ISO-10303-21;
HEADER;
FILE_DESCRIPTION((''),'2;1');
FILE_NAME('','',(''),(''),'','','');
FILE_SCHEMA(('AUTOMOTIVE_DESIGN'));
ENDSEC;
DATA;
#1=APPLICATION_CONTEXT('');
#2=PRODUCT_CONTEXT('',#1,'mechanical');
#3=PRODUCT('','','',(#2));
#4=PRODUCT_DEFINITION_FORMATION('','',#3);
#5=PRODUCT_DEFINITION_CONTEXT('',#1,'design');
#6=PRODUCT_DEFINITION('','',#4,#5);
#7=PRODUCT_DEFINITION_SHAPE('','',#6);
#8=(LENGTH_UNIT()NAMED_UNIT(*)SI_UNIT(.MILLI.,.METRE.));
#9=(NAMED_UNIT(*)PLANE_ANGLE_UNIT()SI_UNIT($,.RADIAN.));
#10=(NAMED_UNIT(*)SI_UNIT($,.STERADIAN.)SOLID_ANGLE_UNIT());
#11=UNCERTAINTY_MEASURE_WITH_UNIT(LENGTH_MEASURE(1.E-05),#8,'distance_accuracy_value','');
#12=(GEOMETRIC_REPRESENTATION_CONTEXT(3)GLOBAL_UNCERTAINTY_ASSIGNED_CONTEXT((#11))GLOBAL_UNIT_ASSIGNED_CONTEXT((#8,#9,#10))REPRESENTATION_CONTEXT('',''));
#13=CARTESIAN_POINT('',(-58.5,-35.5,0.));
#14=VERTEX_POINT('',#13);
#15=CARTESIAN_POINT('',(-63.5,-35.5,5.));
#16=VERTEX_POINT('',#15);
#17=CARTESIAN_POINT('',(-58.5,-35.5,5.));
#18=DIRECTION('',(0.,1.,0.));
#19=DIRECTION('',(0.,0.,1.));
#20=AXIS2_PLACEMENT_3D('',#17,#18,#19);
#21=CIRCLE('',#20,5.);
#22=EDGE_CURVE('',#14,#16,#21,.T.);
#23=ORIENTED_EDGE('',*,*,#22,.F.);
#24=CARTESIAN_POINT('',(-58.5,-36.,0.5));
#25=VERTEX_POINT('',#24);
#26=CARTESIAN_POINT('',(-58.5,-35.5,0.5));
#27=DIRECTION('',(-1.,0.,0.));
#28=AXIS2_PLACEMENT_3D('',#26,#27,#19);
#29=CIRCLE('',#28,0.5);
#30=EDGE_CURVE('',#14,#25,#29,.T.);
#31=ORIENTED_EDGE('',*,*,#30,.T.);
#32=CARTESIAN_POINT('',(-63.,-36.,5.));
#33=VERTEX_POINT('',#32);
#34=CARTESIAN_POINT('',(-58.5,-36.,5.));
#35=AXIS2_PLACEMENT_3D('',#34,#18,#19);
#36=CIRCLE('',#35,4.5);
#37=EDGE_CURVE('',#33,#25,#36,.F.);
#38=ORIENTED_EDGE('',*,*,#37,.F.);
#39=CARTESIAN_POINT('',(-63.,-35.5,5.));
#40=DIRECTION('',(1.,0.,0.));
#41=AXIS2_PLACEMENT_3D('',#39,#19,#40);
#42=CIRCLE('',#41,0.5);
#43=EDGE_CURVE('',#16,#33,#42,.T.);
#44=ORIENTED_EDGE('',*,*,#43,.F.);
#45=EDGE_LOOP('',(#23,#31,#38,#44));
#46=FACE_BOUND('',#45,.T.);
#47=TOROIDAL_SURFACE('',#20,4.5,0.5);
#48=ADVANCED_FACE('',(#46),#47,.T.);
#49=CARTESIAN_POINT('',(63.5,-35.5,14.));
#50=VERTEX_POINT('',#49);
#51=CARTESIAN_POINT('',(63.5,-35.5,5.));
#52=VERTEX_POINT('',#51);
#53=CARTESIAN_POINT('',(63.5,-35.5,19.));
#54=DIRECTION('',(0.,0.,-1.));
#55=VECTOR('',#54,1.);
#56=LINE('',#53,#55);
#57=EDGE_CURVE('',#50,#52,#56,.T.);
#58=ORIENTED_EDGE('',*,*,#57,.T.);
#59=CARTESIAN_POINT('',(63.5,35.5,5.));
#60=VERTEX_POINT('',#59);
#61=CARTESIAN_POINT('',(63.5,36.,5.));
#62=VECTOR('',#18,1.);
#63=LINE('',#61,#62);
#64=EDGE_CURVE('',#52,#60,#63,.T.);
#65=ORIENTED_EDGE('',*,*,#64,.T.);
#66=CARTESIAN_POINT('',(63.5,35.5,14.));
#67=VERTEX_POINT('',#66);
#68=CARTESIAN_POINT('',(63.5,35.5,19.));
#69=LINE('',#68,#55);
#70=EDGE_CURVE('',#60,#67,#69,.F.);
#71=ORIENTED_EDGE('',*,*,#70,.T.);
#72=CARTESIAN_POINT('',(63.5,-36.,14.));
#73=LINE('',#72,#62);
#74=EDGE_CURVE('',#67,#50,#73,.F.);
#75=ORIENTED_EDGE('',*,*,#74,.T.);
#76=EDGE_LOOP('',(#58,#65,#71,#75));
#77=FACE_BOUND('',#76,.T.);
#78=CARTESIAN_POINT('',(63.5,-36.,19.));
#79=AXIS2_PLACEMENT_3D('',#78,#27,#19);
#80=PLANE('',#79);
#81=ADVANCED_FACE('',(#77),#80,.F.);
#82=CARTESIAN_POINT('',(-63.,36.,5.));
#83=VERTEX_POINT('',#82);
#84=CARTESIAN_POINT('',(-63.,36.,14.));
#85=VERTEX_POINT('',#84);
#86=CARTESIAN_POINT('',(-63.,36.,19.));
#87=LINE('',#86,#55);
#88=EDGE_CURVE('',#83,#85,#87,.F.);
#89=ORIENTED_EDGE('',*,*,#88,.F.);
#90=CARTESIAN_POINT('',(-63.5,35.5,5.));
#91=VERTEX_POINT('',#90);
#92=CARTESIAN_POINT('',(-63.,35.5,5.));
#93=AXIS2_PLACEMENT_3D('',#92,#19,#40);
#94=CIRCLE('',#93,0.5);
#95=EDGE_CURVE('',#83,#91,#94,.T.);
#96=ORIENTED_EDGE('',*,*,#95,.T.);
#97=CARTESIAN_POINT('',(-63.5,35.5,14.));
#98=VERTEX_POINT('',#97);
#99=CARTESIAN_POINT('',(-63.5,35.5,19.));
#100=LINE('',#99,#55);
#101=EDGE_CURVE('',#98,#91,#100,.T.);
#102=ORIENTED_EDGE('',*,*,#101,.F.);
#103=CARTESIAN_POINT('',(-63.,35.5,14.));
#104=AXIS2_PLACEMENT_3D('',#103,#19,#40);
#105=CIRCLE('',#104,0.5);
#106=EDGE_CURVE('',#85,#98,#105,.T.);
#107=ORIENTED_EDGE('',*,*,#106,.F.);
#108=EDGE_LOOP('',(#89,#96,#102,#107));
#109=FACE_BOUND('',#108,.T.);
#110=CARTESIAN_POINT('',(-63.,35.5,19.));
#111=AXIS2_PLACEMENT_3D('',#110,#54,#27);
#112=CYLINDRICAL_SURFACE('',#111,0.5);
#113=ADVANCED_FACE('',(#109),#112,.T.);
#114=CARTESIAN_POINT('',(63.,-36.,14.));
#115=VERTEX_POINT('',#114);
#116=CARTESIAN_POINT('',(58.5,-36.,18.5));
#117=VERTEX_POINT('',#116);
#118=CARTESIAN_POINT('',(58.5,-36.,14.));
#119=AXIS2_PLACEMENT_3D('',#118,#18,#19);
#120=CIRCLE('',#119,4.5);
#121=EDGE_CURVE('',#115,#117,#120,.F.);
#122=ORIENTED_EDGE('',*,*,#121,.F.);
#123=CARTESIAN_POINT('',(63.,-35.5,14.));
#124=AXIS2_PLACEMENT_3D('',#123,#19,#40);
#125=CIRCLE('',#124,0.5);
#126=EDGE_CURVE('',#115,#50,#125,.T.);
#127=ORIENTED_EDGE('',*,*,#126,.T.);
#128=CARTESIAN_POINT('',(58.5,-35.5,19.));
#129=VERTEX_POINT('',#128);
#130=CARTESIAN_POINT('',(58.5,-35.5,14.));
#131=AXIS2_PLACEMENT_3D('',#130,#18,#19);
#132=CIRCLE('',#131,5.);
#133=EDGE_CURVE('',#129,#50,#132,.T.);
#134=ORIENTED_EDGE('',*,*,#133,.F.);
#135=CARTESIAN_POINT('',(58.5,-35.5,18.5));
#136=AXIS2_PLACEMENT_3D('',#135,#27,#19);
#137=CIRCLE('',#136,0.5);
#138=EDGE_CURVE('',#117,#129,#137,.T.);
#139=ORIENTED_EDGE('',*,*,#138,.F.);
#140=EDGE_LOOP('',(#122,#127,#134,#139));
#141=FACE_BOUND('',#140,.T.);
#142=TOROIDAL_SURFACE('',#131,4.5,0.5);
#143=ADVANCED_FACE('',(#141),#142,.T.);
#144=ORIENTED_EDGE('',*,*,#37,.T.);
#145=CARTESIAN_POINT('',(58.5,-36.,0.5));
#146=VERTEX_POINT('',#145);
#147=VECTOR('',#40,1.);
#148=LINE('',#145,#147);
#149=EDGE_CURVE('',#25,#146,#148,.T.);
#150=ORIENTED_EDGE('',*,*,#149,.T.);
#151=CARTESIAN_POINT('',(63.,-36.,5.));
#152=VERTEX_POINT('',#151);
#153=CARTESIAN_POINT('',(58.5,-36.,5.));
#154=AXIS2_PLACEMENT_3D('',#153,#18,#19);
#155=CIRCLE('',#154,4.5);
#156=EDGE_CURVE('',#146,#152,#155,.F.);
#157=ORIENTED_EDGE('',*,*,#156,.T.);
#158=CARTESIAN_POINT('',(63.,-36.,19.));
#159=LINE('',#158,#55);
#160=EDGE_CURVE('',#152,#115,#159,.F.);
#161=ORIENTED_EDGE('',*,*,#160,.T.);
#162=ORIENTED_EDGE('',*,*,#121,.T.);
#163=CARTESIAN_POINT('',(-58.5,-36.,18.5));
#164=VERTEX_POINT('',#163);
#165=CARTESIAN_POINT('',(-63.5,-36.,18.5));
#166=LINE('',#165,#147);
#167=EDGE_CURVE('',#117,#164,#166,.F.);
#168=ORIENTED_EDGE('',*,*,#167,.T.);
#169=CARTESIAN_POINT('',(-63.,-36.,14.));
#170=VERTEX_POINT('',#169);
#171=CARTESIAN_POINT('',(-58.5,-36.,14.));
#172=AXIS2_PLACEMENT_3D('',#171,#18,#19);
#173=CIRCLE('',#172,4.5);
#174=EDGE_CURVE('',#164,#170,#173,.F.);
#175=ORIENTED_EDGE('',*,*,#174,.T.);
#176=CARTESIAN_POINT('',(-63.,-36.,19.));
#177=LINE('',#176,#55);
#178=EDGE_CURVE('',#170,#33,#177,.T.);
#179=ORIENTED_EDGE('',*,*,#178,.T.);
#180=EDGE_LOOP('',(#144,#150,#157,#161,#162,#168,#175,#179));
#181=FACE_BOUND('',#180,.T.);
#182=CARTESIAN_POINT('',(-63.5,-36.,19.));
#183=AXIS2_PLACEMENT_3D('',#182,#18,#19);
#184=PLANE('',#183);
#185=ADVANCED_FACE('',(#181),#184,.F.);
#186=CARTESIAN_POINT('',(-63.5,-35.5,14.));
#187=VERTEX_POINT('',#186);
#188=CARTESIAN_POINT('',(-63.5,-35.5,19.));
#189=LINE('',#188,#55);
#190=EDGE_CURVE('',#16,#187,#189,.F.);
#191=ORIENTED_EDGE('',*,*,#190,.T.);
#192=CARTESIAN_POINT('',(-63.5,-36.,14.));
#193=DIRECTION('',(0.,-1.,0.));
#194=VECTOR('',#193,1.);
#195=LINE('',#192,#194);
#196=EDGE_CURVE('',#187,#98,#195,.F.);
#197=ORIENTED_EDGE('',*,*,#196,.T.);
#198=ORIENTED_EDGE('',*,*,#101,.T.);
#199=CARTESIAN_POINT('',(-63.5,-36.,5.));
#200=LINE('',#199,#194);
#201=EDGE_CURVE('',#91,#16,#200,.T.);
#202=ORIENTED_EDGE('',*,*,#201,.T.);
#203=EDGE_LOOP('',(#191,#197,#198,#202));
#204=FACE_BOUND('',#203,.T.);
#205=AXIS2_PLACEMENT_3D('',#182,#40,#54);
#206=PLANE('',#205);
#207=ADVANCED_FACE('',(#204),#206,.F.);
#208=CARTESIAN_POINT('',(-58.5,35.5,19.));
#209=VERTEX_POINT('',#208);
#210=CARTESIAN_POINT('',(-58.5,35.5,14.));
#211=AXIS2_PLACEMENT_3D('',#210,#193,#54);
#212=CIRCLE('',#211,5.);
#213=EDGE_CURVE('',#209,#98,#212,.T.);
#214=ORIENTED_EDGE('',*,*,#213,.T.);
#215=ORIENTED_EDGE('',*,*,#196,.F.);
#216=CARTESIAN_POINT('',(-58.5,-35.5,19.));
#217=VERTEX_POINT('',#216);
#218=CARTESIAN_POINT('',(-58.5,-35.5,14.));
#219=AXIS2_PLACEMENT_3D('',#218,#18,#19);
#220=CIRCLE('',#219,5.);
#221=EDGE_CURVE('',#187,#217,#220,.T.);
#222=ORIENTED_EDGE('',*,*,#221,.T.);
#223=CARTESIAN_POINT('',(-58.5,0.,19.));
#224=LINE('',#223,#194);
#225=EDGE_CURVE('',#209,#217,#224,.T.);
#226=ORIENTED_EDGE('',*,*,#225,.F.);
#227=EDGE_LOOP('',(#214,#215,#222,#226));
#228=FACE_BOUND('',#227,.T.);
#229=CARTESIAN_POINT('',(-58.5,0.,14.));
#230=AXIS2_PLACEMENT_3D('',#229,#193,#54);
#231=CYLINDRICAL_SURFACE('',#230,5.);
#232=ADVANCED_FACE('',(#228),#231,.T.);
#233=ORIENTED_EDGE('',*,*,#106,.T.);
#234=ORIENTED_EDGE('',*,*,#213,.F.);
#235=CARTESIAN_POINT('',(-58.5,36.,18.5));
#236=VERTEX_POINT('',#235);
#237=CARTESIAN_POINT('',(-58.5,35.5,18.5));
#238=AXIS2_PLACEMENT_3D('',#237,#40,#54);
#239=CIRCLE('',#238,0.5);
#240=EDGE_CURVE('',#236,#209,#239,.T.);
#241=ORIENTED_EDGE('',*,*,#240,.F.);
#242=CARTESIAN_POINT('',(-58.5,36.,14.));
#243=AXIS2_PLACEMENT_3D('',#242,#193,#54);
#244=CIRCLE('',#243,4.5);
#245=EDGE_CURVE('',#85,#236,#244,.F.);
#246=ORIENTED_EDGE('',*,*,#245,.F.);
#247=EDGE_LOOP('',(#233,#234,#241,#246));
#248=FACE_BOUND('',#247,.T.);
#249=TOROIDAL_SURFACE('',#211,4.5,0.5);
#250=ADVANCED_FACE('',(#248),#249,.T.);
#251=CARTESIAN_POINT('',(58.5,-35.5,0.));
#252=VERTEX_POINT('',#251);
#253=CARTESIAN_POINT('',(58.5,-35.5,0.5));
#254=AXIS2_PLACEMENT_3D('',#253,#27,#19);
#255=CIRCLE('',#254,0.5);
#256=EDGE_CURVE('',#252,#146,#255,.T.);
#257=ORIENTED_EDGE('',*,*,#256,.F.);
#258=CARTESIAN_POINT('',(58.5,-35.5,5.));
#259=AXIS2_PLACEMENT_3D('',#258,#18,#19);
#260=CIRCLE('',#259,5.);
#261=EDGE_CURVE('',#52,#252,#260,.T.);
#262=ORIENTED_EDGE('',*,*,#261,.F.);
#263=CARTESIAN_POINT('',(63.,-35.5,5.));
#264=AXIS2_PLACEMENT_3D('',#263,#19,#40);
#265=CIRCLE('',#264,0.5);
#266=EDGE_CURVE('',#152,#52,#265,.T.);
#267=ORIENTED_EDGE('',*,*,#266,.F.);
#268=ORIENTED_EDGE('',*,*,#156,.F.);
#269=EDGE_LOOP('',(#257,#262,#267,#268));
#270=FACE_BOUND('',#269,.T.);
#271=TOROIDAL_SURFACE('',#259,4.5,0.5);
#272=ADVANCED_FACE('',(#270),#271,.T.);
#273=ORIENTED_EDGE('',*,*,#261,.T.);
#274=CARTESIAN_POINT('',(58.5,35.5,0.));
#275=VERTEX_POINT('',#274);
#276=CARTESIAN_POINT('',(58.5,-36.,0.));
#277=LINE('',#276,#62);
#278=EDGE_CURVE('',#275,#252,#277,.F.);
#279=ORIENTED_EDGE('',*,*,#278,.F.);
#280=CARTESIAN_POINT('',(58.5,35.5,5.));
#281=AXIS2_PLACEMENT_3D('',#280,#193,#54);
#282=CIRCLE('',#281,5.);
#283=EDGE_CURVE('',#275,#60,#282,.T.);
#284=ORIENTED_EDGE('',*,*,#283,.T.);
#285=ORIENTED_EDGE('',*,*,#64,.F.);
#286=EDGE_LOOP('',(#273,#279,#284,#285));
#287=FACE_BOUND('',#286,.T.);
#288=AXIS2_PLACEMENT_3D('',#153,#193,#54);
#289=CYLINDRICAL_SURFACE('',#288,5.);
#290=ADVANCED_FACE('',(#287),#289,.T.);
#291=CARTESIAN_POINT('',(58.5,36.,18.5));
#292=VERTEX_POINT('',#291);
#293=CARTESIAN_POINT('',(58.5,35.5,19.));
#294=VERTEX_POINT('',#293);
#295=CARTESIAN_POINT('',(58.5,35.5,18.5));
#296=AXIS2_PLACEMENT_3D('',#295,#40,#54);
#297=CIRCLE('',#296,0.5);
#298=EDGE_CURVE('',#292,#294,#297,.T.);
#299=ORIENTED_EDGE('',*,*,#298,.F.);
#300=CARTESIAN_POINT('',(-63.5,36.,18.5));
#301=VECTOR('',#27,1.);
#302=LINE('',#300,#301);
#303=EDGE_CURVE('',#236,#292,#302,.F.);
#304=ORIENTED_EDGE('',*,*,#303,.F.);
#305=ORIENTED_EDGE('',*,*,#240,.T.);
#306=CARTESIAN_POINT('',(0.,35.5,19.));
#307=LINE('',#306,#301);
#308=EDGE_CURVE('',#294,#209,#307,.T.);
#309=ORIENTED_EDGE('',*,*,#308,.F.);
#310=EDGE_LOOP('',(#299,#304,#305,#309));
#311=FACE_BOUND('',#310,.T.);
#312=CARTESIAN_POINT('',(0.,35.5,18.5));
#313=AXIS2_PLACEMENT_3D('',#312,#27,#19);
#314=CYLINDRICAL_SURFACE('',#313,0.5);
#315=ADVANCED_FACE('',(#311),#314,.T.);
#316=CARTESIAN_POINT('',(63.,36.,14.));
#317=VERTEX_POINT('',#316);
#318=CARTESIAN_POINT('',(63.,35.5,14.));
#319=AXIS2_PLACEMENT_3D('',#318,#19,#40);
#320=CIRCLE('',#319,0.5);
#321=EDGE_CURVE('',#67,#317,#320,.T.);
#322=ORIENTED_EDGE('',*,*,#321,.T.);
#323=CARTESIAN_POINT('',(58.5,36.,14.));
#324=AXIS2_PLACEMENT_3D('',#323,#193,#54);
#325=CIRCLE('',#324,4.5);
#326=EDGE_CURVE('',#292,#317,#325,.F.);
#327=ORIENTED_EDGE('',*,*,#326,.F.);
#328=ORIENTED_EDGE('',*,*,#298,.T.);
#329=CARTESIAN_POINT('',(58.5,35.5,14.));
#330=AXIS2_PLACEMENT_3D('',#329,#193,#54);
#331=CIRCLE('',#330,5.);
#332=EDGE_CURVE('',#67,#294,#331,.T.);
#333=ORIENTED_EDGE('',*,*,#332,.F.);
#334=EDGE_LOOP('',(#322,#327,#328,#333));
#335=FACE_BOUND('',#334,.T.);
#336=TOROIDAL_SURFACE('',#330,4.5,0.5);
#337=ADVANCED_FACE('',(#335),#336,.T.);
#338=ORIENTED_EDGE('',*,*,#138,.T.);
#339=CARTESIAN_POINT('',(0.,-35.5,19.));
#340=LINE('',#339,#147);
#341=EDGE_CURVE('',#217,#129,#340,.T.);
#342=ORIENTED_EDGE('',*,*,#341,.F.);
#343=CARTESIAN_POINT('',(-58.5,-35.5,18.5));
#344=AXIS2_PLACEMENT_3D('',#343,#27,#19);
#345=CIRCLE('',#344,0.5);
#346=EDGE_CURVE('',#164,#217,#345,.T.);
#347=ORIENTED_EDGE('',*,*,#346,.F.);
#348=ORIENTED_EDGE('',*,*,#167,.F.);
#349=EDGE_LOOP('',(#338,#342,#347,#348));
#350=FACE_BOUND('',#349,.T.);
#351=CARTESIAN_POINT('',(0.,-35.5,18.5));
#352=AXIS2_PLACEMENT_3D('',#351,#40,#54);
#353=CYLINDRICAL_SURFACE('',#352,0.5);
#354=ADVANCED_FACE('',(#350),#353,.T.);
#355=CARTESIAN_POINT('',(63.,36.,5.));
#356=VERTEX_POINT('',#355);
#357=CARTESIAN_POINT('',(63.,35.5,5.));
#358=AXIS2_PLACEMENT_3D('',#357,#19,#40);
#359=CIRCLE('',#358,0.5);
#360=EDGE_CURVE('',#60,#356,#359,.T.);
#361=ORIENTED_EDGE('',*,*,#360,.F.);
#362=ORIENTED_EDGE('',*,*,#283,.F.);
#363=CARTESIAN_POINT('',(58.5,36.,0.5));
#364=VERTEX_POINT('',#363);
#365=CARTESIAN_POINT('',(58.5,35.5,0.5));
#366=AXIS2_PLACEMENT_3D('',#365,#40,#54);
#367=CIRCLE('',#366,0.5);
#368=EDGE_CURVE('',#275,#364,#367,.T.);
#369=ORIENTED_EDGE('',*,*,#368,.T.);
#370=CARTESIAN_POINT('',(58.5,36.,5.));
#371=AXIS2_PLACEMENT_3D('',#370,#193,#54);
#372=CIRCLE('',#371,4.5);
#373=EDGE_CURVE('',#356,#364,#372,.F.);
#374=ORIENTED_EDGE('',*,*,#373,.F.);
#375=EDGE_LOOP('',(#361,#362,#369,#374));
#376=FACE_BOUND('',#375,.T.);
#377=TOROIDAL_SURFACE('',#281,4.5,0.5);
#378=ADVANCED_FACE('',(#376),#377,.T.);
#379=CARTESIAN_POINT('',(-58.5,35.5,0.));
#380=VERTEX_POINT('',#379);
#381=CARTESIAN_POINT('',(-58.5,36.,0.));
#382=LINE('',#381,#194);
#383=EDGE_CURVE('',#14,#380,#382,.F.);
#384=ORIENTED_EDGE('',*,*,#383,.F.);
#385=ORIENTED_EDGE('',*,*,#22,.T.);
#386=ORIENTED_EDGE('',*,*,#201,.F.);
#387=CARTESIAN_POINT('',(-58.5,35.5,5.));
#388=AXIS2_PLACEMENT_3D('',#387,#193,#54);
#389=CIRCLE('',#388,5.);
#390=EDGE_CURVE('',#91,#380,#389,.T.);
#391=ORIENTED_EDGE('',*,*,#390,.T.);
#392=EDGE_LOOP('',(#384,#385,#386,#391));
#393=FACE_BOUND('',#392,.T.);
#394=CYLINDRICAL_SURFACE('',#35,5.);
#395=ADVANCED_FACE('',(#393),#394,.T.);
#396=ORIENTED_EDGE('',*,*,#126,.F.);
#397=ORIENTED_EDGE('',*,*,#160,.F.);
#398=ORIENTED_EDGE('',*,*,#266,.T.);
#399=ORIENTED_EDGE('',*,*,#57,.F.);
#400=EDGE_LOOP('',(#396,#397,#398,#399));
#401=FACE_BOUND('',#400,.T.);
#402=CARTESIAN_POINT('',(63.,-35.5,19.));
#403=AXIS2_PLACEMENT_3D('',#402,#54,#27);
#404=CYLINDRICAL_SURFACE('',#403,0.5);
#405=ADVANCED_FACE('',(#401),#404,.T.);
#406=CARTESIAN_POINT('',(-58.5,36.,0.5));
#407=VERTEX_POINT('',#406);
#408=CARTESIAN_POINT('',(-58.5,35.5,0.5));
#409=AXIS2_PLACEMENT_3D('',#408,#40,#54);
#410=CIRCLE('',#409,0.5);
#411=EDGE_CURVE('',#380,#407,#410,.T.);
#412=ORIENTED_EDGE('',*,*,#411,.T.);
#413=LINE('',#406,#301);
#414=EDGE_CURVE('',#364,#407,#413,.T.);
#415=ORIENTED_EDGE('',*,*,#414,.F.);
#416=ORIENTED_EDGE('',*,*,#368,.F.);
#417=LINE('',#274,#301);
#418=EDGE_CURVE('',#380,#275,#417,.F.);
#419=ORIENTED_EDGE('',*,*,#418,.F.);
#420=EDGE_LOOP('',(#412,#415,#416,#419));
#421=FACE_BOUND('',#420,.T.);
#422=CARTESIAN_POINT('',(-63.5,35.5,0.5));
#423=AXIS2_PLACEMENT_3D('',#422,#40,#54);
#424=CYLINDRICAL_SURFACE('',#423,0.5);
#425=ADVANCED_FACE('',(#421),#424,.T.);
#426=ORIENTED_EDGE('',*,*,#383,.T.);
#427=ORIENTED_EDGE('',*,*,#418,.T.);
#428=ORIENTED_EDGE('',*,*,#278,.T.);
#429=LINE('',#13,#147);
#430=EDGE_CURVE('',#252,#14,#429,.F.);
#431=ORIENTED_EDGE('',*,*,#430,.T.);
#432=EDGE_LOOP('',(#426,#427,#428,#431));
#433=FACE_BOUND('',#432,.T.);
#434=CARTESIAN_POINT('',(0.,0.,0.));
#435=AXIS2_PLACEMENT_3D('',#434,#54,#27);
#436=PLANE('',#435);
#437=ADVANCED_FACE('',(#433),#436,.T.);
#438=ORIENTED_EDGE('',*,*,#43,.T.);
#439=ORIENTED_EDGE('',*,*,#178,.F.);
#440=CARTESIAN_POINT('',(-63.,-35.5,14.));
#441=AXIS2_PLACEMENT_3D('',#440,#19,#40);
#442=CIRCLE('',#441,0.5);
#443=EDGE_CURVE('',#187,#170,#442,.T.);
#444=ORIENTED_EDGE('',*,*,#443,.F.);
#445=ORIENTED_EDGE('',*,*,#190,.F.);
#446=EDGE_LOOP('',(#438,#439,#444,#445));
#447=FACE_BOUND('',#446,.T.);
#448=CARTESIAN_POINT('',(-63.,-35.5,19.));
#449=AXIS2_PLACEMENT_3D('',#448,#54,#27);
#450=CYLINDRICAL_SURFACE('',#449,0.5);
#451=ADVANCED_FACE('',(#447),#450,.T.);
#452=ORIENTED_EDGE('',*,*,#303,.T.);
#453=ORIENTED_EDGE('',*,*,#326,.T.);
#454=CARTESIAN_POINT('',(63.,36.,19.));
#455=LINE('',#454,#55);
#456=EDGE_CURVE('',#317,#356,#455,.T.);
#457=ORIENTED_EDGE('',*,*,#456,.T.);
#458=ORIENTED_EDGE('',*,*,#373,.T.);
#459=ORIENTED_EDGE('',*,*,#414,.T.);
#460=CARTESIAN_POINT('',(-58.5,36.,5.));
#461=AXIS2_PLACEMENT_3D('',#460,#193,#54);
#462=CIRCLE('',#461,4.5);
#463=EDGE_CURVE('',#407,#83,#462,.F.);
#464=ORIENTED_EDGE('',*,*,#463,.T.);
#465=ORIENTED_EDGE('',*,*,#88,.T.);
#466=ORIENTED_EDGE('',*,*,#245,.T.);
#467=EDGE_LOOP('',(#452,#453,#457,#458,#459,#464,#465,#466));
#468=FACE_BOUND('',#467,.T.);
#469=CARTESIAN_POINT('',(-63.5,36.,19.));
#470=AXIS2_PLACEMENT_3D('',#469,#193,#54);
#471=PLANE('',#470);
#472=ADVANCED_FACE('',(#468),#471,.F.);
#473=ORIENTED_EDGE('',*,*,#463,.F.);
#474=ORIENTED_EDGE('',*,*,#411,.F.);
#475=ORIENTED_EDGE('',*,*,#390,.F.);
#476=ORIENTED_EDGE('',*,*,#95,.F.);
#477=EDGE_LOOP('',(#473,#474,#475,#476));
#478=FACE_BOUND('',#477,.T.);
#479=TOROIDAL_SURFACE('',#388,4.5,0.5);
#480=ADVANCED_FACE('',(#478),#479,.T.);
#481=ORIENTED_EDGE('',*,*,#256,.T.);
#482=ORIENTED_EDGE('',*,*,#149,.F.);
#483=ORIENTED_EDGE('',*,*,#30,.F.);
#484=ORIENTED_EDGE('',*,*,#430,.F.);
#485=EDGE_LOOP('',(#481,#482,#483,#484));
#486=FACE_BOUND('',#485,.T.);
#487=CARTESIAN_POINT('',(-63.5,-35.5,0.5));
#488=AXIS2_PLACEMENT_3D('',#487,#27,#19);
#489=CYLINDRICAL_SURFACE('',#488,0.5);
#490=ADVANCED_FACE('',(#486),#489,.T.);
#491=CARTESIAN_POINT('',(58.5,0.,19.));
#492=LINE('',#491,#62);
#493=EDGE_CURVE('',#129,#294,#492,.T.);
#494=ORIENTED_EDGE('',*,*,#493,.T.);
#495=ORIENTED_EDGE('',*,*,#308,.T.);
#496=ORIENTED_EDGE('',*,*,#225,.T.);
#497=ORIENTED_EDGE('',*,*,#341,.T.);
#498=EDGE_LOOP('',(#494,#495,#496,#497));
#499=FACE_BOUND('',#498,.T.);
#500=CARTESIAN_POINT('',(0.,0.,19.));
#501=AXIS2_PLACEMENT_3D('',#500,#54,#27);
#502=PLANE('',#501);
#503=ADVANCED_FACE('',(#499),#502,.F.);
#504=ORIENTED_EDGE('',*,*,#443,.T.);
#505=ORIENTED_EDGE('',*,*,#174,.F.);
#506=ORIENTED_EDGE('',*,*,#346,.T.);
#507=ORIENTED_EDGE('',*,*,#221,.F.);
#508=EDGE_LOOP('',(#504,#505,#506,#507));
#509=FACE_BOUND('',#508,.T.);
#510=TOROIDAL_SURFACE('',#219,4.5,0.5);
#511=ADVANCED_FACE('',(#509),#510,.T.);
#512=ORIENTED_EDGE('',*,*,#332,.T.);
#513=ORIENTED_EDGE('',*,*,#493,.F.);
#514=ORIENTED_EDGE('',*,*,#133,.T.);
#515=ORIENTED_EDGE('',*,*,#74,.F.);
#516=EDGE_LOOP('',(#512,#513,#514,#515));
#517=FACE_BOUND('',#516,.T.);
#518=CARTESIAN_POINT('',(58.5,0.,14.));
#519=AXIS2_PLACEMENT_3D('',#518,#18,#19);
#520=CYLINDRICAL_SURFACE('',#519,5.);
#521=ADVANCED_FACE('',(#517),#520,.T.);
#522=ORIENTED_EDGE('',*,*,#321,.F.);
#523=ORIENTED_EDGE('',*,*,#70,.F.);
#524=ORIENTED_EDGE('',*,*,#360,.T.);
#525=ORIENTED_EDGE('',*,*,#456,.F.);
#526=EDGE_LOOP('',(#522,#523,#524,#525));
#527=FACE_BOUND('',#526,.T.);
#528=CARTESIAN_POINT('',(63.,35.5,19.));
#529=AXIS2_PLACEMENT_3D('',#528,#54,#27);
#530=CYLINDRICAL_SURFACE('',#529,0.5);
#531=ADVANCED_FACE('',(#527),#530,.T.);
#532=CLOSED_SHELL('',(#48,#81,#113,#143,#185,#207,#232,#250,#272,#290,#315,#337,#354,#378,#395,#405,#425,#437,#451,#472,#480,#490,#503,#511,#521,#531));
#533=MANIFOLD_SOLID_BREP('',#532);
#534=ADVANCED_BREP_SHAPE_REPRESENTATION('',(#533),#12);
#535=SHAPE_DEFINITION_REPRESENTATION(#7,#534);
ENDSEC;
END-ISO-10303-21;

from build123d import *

# Parameters (mm, degrees)
ESQUISSE1_W        = 127
ESQUISSE1_H        = 72
BOSS_EXTRU_1_DEPTH = 19
CONG_1_R           = 5
CONG_2_R           = 0.5


with BuildPart() as part:
    # Esquisse1 → Boss.-Extru.1 (new body)
    with BuildSketch(Plane.XY):
        Rectangle(ESQUISSE1_W, ESQUISSE1_H)
    extrude(amount=BOSS_EXTRU_1_DEPTH)

    # Congé1
    cong_1_edges = [part.edges().sort_by_distance(p)[0] for p in [
        (-63.5, 0, 19),
        (63.5, 0, 19),
        (-63.5, 0, 0),
        (63.5, 0, 0),
    ]]
    fillet(cong_1_edges, radius=CONG_1_R)

    # Congé2
    cong_2_edges = [part.edges().sort_by_distance(p)[0] for p in [
        (63.5, 36, 9.5),
        (63.5, -36, 9.5),
        (0, 36, 0),
        (-63.5, 36, 9.5),
        (0, 36, 19),
        (-62.035533906, 36, 17.535533906),
        (-62.035533906, 36, 1.464466094),
        (62.035533906, 36, 17.535533906),
        (62.035533906, 36, 1.464466094),
        (0, -36, 0),
        (0, -36, 19),
        (-63.5, -36, 9.5),
        (-62.035533906, -36, 17.535533906),
        (-62.035533906, -36, 1.464466094),
        (62.035533906, -36, 17.535533906),
        (62.035533906, -36, 1.464466094),
    ]]
    fillet(cong_2_edges, radius=CONG_2_R)


solid = part.part
